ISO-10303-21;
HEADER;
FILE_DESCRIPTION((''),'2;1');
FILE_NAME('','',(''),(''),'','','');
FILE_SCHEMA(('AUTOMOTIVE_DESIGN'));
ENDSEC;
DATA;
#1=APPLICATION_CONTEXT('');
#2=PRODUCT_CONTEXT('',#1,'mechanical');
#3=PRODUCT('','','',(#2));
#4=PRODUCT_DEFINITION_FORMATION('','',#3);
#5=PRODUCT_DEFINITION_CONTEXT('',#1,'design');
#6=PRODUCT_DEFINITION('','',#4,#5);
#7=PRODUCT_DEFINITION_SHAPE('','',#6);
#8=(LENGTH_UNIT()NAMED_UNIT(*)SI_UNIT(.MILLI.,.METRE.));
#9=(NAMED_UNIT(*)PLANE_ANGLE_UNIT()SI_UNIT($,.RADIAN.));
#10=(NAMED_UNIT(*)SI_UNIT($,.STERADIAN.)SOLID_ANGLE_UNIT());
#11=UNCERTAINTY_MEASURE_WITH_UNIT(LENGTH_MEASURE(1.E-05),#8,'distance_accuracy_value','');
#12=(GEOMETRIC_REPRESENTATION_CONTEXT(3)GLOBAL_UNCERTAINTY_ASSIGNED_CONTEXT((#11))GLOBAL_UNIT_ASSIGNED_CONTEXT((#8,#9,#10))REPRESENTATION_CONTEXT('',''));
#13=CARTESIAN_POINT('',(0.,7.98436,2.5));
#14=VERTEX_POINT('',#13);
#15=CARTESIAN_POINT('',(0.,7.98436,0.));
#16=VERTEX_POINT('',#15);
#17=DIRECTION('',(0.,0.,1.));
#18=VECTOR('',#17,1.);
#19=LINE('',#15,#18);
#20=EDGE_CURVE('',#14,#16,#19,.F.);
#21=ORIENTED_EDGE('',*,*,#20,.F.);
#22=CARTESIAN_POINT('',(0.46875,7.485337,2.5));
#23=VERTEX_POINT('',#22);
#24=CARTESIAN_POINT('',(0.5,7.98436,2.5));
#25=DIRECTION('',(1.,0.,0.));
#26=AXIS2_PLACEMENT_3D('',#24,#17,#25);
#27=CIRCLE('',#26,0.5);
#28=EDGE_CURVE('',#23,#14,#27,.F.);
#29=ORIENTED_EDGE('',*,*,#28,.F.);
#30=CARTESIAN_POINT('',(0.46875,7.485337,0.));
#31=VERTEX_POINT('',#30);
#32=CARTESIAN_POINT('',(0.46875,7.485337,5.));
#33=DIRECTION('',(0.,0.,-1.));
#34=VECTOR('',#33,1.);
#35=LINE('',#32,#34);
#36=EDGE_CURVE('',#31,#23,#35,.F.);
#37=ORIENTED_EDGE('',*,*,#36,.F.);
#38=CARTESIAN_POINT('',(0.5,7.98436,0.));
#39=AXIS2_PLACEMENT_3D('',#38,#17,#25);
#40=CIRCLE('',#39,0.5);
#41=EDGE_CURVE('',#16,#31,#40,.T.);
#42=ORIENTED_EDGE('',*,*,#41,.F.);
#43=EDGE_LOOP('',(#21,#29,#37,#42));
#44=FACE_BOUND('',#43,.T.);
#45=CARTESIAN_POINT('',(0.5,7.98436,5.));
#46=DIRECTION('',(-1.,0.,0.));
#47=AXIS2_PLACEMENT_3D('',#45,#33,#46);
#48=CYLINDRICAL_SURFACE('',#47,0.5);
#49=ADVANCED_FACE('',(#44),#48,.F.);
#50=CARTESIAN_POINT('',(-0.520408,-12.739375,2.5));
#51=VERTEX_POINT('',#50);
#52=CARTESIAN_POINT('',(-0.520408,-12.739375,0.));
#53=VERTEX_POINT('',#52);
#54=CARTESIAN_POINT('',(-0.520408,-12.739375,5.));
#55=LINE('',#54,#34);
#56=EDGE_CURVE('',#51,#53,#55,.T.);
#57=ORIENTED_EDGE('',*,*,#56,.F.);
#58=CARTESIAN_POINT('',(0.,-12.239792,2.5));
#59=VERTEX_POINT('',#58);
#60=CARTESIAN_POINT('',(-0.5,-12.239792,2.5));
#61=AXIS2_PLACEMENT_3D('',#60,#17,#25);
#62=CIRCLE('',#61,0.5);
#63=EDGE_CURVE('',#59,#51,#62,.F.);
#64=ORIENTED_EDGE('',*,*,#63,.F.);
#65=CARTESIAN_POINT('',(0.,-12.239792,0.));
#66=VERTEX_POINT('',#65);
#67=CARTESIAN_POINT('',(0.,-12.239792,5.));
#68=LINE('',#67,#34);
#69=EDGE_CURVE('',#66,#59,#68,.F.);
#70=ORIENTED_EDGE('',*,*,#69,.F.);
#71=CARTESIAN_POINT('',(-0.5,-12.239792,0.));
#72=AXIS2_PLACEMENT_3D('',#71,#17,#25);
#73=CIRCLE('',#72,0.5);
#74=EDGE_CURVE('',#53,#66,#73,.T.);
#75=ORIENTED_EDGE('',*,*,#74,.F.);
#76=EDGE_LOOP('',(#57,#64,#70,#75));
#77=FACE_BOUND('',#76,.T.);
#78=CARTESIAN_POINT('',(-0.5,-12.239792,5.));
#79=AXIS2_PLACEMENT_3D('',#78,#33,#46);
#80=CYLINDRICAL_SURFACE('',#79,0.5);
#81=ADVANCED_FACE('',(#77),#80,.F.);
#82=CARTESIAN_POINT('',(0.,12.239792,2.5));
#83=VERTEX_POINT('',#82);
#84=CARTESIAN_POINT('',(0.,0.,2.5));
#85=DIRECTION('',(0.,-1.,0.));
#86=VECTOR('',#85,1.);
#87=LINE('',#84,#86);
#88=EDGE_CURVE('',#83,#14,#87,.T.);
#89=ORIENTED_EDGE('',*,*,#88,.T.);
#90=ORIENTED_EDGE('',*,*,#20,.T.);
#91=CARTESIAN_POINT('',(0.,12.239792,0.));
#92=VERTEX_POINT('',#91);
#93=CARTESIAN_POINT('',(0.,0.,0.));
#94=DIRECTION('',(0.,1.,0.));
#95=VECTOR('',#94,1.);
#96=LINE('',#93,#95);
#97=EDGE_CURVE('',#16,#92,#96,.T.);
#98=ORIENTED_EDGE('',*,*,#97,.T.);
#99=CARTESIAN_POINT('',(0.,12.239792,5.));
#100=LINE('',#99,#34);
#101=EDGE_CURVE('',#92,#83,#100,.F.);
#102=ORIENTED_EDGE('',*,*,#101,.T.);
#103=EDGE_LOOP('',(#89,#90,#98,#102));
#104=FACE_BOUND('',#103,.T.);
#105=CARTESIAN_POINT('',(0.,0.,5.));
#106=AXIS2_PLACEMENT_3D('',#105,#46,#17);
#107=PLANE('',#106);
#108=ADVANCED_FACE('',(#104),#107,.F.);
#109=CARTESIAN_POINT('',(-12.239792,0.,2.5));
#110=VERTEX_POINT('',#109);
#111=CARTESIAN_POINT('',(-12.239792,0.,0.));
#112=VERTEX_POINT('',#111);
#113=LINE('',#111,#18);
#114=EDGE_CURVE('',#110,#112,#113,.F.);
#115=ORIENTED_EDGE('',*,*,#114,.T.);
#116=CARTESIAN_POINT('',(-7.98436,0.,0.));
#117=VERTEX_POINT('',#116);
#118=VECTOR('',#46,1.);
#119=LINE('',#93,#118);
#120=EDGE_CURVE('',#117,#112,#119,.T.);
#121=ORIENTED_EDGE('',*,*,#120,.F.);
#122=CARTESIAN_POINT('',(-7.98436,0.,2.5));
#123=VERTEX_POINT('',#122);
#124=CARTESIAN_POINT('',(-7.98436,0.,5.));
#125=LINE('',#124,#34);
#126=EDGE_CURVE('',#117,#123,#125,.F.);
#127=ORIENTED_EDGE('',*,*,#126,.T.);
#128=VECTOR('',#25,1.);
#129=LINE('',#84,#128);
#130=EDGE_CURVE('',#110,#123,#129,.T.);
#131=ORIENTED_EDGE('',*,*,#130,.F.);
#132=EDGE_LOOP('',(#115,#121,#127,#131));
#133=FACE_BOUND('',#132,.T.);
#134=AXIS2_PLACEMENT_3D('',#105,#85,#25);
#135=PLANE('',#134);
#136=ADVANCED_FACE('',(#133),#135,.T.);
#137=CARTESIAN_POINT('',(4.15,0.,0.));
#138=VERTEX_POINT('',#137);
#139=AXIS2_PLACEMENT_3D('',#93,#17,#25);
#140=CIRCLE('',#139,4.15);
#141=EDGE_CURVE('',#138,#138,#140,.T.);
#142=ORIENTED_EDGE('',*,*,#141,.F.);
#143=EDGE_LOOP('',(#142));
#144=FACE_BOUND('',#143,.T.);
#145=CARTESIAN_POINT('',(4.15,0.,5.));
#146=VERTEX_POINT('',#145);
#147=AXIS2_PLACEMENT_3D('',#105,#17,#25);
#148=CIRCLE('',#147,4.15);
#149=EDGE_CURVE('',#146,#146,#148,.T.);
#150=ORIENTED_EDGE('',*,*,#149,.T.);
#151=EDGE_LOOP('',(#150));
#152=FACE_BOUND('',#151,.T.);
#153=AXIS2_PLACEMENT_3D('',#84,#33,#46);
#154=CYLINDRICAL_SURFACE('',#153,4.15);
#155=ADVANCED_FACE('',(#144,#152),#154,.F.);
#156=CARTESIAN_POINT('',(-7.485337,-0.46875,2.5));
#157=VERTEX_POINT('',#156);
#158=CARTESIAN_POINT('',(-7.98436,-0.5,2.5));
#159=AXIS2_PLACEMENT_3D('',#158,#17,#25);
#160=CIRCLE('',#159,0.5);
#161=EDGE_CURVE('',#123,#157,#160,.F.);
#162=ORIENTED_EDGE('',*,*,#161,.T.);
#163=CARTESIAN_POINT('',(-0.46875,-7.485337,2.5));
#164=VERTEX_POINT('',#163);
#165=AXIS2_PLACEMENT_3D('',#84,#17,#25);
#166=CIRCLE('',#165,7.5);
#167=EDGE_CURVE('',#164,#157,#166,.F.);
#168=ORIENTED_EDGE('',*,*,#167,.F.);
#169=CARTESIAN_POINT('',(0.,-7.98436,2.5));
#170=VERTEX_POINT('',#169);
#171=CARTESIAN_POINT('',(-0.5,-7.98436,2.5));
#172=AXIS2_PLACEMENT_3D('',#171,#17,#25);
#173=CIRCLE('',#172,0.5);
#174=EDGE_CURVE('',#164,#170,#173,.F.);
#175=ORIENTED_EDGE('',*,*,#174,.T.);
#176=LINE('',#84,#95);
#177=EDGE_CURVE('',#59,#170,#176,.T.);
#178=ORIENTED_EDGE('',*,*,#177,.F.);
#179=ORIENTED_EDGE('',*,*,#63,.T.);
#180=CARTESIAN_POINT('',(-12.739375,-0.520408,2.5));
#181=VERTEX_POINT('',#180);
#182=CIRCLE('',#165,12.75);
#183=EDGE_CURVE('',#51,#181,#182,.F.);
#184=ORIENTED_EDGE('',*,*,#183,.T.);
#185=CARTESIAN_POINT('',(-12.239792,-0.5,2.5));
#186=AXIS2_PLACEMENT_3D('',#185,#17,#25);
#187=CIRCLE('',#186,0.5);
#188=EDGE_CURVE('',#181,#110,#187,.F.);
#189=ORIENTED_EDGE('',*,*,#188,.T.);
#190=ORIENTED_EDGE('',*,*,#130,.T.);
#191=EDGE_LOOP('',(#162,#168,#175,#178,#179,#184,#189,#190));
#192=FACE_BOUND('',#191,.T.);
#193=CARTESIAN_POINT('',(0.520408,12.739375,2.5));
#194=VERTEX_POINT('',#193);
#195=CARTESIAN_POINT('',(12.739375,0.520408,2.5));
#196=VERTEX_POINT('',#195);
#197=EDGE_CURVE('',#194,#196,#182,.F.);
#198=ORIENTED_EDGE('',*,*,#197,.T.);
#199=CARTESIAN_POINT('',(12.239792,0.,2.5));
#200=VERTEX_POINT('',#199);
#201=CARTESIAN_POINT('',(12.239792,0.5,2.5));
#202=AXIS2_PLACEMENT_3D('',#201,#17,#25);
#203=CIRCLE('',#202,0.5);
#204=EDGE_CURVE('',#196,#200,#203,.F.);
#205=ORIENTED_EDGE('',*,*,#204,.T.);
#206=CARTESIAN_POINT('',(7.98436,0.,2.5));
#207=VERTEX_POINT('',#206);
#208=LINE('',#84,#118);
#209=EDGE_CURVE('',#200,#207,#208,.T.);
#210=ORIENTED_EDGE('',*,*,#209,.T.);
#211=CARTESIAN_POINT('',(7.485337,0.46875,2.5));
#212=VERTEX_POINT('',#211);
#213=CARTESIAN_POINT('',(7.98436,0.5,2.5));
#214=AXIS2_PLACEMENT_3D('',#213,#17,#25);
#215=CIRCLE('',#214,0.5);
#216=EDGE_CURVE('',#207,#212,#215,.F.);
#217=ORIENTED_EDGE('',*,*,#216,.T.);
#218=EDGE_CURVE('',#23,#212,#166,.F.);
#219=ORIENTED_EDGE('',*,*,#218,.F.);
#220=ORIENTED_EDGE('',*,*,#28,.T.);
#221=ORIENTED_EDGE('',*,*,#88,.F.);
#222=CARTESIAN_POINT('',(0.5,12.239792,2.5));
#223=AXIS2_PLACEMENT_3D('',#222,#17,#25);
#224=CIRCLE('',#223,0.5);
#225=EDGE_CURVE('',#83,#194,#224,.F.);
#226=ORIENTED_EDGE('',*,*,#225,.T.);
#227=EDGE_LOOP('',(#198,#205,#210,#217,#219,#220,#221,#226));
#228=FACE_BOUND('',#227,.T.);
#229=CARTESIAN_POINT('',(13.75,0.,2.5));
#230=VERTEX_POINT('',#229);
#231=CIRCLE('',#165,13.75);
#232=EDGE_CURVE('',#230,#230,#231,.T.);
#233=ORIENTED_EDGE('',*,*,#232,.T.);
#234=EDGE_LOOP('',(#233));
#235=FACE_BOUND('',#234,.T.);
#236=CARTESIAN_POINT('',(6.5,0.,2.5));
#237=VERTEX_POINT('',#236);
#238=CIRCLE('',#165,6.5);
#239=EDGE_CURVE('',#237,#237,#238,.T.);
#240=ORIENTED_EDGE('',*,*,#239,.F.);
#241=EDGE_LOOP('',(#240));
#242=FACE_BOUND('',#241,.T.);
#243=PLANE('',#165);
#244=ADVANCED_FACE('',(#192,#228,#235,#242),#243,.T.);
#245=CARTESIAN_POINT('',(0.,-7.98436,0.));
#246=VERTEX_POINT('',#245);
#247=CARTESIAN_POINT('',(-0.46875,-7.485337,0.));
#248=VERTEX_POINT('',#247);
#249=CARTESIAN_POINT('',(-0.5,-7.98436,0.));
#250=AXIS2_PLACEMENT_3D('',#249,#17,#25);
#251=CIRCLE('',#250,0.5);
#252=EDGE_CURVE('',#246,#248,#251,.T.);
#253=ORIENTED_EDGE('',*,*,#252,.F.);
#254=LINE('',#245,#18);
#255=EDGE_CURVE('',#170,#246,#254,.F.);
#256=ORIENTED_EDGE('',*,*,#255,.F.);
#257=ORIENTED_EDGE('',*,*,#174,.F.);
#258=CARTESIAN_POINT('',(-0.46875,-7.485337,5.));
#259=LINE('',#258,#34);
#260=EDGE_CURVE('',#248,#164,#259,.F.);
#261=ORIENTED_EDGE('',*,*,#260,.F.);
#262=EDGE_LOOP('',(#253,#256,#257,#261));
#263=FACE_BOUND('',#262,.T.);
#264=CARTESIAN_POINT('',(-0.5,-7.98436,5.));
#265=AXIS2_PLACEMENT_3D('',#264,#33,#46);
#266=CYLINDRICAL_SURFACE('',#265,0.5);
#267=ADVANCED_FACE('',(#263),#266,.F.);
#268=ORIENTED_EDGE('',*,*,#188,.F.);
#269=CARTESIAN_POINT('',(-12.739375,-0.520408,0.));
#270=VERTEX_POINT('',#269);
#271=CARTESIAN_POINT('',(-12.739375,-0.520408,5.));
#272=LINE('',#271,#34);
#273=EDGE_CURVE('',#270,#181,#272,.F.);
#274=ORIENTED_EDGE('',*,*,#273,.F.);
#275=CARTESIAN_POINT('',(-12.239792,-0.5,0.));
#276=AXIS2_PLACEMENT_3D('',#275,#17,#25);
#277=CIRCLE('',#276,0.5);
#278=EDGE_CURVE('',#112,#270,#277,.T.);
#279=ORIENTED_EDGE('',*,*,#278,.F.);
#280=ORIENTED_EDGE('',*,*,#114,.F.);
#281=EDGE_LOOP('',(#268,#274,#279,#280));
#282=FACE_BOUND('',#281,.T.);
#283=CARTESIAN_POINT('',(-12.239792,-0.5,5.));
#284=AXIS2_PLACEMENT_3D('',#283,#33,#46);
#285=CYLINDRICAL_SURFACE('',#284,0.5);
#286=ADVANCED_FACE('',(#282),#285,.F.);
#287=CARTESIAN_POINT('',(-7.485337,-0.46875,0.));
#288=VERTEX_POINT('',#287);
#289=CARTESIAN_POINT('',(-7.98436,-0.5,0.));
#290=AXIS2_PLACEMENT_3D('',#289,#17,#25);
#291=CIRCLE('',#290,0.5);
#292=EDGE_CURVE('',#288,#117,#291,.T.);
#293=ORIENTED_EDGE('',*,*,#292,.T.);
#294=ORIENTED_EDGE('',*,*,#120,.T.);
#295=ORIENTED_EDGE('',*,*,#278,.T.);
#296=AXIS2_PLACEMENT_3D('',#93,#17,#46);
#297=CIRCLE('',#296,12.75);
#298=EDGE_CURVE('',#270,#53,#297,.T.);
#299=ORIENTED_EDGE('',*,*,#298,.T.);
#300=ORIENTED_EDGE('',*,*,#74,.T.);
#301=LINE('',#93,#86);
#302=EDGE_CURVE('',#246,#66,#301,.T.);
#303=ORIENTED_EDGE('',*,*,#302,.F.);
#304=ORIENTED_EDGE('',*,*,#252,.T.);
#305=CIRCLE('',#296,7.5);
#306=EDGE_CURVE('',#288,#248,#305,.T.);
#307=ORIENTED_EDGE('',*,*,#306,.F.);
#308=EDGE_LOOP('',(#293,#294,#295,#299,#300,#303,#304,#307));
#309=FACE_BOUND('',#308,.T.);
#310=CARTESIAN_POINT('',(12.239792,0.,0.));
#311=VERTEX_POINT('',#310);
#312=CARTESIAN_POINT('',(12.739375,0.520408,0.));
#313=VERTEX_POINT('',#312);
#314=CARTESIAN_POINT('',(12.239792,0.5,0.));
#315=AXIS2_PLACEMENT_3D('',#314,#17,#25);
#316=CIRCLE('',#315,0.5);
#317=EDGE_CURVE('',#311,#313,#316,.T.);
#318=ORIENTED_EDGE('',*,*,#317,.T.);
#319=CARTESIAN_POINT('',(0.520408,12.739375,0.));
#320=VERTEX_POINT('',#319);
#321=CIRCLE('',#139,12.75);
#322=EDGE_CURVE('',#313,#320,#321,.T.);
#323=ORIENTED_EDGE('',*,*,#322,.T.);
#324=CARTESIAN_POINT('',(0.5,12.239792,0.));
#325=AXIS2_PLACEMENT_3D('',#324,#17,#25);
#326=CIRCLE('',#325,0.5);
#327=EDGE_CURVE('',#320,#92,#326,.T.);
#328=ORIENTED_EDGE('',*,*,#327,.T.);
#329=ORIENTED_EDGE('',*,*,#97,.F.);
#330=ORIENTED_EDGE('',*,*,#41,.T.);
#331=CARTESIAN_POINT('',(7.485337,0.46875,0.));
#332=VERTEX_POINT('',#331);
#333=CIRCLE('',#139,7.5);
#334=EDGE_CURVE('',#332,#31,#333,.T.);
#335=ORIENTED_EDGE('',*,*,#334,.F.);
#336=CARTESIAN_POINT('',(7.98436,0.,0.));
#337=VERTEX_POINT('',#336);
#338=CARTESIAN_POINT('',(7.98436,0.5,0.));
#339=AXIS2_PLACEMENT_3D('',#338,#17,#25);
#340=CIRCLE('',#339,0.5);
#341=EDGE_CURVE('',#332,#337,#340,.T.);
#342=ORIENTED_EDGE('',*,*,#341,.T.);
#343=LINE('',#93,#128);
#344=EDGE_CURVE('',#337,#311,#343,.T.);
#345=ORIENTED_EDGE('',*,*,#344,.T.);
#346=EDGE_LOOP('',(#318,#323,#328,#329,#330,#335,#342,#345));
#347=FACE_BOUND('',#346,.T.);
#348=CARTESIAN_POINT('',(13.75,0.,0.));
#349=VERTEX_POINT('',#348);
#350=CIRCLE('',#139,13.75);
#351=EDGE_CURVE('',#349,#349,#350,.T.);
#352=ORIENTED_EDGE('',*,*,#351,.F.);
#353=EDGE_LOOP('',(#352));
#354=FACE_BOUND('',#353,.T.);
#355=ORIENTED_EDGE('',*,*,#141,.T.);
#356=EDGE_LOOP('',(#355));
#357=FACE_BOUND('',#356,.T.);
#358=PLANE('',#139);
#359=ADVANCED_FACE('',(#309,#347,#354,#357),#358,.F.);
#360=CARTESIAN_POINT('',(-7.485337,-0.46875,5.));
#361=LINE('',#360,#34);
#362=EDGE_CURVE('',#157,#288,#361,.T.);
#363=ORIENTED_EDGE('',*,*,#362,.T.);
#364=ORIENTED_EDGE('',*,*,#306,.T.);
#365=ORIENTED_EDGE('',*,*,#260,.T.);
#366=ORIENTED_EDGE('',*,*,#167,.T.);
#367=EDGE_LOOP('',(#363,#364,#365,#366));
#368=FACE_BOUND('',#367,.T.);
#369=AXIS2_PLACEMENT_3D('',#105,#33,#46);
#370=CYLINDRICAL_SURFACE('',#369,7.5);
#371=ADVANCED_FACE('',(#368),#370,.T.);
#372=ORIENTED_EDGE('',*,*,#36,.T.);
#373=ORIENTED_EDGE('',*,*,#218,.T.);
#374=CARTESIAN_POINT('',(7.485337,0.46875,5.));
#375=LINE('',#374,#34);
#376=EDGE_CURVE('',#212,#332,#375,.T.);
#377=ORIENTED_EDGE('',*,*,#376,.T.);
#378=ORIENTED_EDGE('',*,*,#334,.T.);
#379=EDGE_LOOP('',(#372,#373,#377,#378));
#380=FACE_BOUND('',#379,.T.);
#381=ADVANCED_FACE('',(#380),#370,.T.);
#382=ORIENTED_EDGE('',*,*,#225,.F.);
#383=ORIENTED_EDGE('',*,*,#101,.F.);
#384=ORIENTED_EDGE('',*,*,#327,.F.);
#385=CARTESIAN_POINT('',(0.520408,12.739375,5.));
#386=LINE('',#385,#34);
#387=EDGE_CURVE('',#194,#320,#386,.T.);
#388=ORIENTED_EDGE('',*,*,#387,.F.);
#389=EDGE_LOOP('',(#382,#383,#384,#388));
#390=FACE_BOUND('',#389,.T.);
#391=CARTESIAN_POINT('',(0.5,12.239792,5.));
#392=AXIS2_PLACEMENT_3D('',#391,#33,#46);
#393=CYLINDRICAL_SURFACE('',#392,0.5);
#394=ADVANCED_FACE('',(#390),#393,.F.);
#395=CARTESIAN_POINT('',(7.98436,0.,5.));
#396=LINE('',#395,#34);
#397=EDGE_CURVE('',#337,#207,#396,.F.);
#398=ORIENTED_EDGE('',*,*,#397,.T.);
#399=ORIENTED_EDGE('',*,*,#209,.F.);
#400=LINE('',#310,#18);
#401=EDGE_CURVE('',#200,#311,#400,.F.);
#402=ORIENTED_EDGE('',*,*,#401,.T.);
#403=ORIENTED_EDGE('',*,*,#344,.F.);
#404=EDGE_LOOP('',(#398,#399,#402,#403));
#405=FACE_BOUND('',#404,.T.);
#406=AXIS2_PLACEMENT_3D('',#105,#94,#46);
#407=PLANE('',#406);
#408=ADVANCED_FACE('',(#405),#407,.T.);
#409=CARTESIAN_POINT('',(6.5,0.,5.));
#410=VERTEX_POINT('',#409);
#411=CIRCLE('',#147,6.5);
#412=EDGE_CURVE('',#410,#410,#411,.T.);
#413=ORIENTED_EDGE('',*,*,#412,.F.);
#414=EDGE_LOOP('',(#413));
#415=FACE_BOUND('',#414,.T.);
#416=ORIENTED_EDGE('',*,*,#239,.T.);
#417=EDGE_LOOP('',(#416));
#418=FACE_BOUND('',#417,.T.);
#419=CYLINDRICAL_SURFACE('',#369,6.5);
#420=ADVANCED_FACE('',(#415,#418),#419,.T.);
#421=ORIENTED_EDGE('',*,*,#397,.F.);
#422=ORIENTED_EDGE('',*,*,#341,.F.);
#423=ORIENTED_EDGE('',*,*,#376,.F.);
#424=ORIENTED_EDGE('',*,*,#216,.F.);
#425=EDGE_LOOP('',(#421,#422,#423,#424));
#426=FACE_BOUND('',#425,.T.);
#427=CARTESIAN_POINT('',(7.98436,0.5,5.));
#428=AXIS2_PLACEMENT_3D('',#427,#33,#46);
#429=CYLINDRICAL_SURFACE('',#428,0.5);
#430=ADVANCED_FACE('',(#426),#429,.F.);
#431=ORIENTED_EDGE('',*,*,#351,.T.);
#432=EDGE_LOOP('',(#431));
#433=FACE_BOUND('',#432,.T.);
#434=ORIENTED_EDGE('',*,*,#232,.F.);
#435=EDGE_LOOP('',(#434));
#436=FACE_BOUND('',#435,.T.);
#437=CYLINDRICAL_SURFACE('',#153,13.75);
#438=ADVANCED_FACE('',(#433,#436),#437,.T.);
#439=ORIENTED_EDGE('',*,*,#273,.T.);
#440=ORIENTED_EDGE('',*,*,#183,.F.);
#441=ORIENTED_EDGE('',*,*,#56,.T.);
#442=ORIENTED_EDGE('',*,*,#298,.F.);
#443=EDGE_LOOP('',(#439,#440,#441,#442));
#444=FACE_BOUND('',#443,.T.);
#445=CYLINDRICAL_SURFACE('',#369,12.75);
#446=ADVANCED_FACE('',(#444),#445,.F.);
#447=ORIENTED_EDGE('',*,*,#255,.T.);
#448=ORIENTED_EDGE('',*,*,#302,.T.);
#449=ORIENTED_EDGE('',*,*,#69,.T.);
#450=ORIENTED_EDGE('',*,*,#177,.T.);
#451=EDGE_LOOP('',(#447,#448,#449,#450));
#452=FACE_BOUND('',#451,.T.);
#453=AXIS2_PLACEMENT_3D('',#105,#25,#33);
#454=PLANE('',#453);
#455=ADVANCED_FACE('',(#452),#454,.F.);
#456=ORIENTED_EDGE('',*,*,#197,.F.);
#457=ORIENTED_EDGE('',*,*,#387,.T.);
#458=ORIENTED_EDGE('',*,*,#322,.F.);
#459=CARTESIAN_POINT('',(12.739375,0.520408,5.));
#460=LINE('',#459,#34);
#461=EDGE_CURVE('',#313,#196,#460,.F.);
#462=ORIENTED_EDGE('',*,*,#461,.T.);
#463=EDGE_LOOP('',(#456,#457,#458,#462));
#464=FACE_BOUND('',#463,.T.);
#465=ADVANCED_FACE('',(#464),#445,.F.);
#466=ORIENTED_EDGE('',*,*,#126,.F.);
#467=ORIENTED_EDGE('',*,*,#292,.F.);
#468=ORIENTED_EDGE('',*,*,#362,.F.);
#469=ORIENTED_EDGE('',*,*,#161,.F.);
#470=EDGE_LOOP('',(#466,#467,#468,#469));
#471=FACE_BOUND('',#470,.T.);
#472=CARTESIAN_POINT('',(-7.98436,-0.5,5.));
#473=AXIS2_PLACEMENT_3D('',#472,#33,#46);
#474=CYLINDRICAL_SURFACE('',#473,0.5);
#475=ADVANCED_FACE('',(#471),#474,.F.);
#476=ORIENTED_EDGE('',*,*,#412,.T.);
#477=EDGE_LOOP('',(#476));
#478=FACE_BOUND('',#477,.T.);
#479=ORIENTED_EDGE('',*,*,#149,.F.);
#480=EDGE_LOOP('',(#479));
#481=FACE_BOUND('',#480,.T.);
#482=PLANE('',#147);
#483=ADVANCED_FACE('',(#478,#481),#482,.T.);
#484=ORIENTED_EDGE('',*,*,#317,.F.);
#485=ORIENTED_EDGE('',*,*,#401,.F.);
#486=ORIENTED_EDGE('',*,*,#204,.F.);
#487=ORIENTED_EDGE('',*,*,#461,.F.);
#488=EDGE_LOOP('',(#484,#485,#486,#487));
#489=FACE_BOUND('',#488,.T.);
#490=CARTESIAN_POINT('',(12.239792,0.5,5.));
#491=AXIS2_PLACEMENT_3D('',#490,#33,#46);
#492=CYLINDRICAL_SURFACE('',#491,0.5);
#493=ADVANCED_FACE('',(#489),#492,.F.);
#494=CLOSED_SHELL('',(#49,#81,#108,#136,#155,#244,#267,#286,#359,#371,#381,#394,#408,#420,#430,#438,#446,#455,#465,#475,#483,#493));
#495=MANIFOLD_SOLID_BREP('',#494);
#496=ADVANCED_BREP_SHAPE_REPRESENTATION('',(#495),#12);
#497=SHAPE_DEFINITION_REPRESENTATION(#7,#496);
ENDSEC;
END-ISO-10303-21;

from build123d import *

# Parameters (mm, degrees)
SKETCH1_R                = 13.75
SKETCH1_R_2              = 4.15
BOSS_EXTRUDE1_DEPTH      = 2.5
SKETCH2_R                = 6.5
SKETCH2_R_2              = 4.15
BOSS_EXTRUDE2_DEPTH      = 2.5
CUT_EXTRUDE1_DEPTH       = 21.077973005
FILLET1_R                = 0.5
CIRPATTERN1_COUNT        = 2
FILLET1_OF_CIRPATTERN1_R = 0.5


with BuildPart() as part:
    # Sketch1 → Boss-Extrude1 (new body)
    with BuildSketch(Plane.XY):
        Circle(SKETCH1_R)
        Circle(SKETCH1_R_2, mode=Mode.SUBTRACT)
    extrude(amount=BOSS_EXTRUDE1_DEPTH)

    # Sketch2 → Boss-Extrude2 (add)
    with BuildSketch(Plane.XY.offset(2.5)):
        Circle(SKETCH2_R)
        Circle(SKETCH2_R_2, mode=Mode.SUBTRACT)
    extrude(amount=BOSS_EXTRUDE2_DEPTH)

    # Sketch5 → Cut-Extrude1 (cut, through all)
    with BuildSketch(Plane.XY):
        with BuildLine():
            Line((0, 12.75), (0, 7.5))
            ThreePointArc((0, 7.5), (5.303300859, 5.303300859), (7.5, 0))
            Line((7.5, 0), (12.75, 0))
            ThreePointArc((12.75, 0), (9.01561146, 9.01561146), (0, 12.75))
        make_face()
    cut_extrude1 = extrude(amount=CUT_EXTRUDE1_DEPTH, mode=Mode.SUBTRACT)

    # Fillet1
    fillet1_edges = [part.edges().sort_by_distance(p)[0] for p in [
        (0, 7.5, 1.25),
        (7.5, 0, 1.25),
        (12.75, 0, 1.25),
        (0, 12.75, 1.25),
    ]]
    fillet(fillet1_edges, radius=FILLET1_R)

    # CirPattern1: Cut-Extrude1 ×2 about axis
    cirpattern1_axis = Axis((0, 0, 0), (0, 0, 1))
    for i in range(1, CIRPATTERN1_COUNT):
        add(cut_extrude1.rotate(cirpattern1_axis, i * 360 / CIRPATTERN1_COUNT), mode=Mode.SUBTRACT)

    # Fillet1 of CirPattern1
    fillet1_of_cirpattern1_edges = [part.edges().sort_by_distance(p)[0] for p in [
        (0, -7.5, 1.25),
        (-7.5, 0, 1.25),
        (-12.75, 0, 1.25),
        (0, -12.75, 1.25),
    ]]
    fillet(fillet1_of_cirpattern1_edges, radius=FILLET1_OF_CIRPATTERN1_R)


solid = part.part
